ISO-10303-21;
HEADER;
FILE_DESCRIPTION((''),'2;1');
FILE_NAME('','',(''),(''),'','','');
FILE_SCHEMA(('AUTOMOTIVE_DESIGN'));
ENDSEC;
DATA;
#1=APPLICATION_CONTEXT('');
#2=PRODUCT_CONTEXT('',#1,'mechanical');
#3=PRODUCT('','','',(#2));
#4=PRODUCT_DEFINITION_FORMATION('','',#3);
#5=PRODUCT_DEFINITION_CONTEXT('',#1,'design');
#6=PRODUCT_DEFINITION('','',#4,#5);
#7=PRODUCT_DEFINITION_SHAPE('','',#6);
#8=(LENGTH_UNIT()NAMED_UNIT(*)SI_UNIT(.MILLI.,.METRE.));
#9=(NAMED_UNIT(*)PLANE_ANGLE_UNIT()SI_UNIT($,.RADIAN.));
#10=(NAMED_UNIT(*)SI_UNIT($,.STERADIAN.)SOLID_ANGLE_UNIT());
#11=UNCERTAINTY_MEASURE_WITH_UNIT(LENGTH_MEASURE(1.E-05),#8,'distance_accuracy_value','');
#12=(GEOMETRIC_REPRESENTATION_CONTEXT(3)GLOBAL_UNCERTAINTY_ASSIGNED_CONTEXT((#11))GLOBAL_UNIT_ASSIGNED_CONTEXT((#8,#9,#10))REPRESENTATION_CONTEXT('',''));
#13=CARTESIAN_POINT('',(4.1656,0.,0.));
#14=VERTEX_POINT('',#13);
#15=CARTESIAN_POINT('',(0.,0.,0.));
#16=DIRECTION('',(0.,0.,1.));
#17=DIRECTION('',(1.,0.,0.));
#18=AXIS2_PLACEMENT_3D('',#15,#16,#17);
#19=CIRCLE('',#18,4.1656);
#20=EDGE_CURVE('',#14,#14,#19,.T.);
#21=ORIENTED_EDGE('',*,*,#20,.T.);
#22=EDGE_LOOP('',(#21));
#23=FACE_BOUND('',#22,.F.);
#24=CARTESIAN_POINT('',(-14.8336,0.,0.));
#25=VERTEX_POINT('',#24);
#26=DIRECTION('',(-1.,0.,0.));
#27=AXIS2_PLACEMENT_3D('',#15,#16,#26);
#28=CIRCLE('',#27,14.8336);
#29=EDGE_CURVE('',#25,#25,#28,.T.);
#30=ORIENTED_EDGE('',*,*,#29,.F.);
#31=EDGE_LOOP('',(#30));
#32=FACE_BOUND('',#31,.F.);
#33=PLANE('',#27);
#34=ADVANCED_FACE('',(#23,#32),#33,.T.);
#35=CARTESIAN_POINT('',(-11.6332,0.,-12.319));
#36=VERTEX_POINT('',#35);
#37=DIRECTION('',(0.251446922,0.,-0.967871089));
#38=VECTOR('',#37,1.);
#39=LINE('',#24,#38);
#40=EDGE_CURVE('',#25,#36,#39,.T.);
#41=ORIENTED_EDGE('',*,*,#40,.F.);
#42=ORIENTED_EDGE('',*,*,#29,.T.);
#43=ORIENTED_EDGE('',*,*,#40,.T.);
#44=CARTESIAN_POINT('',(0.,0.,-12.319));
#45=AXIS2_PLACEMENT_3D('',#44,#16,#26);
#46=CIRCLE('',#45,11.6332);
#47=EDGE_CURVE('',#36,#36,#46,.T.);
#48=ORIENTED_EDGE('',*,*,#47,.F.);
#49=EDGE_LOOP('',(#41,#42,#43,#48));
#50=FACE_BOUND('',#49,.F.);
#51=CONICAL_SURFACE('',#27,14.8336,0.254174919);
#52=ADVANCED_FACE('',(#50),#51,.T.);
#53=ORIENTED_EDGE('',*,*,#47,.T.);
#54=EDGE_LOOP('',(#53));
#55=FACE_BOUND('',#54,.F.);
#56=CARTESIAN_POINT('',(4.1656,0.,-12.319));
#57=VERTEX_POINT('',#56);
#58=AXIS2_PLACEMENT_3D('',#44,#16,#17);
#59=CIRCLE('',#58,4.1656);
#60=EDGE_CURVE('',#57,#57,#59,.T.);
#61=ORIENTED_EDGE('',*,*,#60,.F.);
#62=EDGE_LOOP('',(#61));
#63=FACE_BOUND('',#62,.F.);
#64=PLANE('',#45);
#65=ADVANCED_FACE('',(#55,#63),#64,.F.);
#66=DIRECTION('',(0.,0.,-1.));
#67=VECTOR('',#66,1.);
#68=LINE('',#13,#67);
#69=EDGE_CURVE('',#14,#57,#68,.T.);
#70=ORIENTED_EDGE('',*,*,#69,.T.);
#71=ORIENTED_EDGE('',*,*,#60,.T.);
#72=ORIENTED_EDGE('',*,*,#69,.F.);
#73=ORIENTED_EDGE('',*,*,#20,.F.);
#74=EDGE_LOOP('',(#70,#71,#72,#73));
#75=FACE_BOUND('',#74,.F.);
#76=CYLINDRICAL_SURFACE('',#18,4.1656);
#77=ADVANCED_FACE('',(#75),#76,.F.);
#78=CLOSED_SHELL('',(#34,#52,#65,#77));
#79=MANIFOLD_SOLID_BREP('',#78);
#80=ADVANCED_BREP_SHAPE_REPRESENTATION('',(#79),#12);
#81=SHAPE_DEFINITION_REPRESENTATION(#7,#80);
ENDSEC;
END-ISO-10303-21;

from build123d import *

# Parameters (mm, degrees)
F1_R     = 4.1656
F4_DEPTH = 12.319


with BuildPart() as f3:
    # F2 (on Front) → F3 (revolve)
    with BuildSketch(Plane.XZ):
        Polygon((0, 0), (-14.8336, 0), (-11.6332, -12.319), (0, -12.319), align=None)
    revolve(axis=Axis((0, 0, -6.1595), (0, 0, 1)))

    # F1 (on Top) → F4 (cut, through all)
    with BuildSketch(Plane.XY):
        Circle(F1_R)
    extrude(amount=-F4_DEPTH, mode=Mode.SUBTRACT)


solid = f3.part
